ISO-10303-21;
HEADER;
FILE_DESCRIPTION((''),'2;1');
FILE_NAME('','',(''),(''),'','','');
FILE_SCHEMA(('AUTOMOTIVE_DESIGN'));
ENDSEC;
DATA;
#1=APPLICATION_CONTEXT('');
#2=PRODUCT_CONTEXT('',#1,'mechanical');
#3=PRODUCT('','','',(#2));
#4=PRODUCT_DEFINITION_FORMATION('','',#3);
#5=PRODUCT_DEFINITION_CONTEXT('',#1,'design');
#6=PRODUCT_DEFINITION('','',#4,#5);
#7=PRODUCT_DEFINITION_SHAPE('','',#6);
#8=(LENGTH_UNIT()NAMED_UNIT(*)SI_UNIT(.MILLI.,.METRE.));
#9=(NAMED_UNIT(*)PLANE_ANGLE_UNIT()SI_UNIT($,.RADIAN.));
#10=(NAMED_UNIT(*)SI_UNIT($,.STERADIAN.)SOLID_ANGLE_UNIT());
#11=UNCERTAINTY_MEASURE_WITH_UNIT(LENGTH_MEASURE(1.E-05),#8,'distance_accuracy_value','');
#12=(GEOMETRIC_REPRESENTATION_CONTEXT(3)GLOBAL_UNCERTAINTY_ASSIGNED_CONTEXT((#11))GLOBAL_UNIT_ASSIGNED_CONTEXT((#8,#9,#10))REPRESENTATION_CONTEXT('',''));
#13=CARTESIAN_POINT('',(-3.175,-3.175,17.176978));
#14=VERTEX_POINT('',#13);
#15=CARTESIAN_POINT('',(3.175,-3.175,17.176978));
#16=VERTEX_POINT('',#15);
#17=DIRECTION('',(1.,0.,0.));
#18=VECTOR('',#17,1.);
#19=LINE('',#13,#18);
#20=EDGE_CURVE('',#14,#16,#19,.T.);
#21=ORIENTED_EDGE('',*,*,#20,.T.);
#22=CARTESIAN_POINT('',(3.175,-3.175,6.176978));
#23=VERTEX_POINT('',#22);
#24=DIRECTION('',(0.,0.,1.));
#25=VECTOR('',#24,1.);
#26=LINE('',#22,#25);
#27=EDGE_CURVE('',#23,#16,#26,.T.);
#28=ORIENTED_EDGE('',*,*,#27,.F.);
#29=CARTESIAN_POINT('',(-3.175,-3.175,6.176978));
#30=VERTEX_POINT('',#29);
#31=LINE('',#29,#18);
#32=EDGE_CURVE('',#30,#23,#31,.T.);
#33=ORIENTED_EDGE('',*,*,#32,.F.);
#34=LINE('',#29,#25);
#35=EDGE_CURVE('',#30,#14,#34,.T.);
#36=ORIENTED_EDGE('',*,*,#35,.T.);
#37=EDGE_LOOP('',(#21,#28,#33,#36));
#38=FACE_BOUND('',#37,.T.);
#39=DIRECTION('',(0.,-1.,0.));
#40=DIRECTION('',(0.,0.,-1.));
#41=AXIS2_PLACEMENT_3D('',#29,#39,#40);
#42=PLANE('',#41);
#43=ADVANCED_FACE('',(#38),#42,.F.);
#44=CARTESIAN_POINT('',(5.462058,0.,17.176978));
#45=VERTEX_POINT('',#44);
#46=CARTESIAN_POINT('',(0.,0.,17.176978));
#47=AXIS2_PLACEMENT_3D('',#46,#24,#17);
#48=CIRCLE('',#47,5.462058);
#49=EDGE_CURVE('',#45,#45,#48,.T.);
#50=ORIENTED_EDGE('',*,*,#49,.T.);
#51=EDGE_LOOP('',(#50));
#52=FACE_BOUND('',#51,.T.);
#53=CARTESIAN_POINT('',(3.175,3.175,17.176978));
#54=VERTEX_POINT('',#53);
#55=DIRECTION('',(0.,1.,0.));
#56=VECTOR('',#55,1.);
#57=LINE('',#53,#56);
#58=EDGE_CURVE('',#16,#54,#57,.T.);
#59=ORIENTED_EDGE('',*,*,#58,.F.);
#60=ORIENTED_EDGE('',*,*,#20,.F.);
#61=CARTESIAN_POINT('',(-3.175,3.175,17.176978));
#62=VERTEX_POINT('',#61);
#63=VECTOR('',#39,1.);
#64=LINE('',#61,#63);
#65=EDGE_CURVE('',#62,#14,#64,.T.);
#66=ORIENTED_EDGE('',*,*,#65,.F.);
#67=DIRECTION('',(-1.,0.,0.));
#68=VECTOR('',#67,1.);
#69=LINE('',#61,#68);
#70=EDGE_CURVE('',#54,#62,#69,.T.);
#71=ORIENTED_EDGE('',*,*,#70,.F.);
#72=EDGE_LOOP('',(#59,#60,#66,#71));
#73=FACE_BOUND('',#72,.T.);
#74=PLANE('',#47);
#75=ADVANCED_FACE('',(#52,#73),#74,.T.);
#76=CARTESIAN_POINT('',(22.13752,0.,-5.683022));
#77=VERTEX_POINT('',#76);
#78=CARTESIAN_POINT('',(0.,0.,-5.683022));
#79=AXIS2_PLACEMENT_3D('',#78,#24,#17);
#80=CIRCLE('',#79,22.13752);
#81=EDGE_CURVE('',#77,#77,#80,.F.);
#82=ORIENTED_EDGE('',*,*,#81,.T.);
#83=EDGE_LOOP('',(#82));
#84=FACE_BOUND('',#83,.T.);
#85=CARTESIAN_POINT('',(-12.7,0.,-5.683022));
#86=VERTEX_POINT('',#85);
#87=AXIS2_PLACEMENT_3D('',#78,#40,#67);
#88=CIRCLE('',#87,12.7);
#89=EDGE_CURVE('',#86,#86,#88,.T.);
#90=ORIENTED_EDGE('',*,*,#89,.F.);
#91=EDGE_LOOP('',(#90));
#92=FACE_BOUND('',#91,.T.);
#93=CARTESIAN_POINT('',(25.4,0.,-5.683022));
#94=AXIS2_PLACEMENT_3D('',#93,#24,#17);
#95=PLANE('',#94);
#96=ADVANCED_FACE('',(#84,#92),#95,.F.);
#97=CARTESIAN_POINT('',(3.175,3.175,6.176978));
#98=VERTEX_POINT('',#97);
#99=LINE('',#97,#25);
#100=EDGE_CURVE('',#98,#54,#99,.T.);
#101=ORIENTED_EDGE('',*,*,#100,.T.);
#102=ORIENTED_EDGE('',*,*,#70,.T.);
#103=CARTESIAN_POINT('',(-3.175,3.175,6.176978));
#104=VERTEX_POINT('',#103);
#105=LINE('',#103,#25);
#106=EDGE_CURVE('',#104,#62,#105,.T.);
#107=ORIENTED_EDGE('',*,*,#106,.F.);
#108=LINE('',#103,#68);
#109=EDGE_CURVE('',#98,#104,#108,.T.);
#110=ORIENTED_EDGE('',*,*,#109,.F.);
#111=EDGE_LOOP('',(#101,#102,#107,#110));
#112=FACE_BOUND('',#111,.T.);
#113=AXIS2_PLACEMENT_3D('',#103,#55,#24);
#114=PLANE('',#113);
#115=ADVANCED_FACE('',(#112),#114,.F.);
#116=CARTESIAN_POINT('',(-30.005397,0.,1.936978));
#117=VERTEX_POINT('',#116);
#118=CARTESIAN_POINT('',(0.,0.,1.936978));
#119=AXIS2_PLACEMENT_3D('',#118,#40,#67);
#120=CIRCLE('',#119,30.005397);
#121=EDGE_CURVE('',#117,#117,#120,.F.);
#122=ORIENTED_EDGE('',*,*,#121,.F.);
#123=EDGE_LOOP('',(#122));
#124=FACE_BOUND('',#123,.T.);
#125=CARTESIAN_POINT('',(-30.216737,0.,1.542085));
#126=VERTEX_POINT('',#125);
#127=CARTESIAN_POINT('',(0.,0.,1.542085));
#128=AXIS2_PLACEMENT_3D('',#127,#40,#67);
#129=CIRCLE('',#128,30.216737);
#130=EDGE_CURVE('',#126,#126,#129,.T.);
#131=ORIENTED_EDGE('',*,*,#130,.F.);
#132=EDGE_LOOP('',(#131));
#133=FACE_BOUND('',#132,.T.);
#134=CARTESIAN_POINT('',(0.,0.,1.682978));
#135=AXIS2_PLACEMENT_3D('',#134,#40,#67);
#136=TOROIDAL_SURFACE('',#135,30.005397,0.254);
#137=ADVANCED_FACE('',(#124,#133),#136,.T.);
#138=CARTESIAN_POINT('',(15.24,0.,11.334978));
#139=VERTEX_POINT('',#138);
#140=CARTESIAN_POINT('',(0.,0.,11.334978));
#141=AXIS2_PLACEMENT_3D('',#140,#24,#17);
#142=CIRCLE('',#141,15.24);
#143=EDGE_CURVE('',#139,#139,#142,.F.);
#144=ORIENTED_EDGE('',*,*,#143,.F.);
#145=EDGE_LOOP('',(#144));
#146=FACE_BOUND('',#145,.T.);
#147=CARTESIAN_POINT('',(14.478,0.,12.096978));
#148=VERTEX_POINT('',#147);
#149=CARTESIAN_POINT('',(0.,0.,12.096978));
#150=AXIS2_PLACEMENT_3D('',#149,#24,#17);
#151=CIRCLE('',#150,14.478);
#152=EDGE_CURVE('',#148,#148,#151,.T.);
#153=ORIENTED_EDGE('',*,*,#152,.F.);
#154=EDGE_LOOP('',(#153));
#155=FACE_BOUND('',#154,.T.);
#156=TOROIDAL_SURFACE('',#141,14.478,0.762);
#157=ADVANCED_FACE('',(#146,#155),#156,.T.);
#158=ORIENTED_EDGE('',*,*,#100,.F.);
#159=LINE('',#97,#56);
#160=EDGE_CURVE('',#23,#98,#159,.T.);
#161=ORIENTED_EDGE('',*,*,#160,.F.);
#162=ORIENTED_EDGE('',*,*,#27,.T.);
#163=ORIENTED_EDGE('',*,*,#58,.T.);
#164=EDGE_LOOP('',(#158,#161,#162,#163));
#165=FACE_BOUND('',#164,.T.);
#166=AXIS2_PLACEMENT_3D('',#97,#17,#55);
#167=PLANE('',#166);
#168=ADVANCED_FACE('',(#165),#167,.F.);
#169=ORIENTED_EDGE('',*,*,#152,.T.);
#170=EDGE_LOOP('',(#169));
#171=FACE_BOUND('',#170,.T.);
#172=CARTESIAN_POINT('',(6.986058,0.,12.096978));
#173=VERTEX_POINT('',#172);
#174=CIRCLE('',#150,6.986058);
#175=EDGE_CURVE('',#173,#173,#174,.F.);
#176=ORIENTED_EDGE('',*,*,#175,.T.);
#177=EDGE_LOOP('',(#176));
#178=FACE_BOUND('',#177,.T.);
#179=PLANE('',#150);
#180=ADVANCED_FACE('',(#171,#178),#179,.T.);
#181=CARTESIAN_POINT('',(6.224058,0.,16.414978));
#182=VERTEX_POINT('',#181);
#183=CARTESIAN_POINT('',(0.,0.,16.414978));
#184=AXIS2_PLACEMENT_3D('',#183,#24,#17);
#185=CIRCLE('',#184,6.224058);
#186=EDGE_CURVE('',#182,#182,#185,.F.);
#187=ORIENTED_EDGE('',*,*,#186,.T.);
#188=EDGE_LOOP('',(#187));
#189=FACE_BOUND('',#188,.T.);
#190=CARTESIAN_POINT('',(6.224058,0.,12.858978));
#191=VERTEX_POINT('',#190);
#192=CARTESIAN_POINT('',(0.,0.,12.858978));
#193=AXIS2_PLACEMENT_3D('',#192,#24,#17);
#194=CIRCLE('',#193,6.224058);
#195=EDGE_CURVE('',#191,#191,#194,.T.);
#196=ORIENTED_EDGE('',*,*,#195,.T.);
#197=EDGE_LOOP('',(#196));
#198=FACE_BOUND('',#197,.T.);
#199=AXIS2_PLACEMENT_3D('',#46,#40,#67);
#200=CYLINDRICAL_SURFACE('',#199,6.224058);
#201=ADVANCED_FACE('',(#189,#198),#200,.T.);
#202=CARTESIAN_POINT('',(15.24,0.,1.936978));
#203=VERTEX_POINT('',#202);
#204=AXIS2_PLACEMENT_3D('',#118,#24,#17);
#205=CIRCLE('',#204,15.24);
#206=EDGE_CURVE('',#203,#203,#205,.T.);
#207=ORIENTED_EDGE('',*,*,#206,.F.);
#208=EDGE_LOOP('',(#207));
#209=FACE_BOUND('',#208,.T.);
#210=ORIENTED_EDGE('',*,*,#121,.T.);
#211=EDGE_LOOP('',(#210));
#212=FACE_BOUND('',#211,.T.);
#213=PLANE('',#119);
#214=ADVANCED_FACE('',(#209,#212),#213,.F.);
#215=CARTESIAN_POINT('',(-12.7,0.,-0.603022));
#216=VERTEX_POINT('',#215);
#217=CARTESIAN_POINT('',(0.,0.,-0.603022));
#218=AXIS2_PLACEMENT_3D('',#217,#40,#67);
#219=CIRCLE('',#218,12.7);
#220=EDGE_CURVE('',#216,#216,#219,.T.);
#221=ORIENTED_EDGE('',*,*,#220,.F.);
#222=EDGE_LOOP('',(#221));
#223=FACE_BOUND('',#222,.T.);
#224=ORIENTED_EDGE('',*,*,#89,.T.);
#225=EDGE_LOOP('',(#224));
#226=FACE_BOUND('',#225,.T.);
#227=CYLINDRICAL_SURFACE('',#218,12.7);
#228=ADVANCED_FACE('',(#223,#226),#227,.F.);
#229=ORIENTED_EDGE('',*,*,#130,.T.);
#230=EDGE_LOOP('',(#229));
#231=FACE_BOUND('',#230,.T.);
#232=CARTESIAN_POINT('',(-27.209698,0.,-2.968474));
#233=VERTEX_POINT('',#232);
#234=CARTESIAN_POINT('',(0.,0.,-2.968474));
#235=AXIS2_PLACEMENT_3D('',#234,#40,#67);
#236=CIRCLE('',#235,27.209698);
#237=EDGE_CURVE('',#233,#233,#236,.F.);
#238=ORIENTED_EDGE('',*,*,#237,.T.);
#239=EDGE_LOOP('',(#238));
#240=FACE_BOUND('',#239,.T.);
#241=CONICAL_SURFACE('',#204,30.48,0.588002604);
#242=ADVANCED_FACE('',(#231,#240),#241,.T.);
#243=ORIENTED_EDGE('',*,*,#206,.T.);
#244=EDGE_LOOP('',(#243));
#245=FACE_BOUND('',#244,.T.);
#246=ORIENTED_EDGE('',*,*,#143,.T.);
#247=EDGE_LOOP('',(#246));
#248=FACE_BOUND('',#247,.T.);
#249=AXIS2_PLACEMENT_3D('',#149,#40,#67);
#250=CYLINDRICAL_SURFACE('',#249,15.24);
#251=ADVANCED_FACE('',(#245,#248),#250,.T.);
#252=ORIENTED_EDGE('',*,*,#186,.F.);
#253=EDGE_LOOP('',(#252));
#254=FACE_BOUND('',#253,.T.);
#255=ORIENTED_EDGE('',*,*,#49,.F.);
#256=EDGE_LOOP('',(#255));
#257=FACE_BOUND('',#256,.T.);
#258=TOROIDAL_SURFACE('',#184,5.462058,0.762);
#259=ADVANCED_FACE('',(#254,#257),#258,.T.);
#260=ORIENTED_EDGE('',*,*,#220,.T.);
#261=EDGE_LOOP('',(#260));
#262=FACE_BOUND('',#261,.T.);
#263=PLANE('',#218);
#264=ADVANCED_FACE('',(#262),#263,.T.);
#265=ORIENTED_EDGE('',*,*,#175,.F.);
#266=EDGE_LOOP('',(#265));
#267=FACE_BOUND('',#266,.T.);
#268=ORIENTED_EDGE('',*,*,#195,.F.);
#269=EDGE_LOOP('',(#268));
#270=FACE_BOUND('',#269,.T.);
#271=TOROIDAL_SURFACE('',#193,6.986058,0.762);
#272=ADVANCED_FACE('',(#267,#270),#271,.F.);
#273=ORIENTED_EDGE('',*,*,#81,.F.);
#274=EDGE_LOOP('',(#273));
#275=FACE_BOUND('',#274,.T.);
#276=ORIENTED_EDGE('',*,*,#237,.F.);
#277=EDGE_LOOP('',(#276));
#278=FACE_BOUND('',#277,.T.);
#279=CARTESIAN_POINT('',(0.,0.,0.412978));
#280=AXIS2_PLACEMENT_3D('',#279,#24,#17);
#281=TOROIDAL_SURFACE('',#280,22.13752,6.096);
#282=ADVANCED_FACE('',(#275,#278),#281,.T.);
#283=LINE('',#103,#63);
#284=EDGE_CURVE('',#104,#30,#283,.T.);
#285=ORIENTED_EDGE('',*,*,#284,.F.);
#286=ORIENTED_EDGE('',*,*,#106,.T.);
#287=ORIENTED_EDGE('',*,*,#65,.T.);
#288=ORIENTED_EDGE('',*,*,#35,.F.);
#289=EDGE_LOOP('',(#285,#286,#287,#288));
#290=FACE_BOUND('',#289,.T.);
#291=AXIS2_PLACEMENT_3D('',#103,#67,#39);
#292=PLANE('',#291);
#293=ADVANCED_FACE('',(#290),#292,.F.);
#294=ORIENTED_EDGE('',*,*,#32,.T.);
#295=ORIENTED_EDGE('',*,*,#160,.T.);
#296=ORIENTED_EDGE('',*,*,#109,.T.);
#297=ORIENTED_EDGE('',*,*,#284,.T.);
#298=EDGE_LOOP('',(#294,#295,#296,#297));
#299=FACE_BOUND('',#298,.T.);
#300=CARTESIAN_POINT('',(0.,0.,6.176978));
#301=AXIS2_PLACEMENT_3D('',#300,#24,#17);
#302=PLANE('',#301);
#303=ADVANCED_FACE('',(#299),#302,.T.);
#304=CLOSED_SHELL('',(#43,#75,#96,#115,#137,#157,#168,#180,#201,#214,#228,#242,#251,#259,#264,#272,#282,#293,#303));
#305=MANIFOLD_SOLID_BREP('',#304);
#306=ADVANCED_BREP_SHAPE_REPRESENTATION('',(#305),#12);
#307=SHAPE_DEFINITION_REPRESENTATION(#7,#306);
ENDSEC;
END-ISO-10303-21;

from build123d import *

# Parameters (mm, degrees)
SKETCH3_R           = 15.24
BOSS_EXTRUDE2_DEPTH = 10.16
SKETCH4_R           = 6.224057783
BOSS_EXTRUDE3_DEPTH = 5.08
SKETCH5_R           = 12.7
CUT_EXTRUDE1_DEPTH  = 5.08
FILLET1_R           = 6.096
FILLET2_R           = 0.762
FILLET3_R           = 0.254
SKETCH6_W           = 6.35
SKETCH6_H           = 6.35
CUT_EXTRUDE2_DEPTH  = 11


with BuildPart() as part:
    # Sketch1 → Revolve1 (revolve)
    with BuildSketch(Plane(origin=(0, 0, 0), x_dir=(1, 0, 0), z_dir=(0, 1, 0)), mode=Mode.PRIVATE) as revolve1_sk:
        Polygon((0, 5.683021583), (0, -1.936978417), (30.48, -1.936978417), (25.4, 5.683021583), align=None)
    revolve(revolve1_sk.sketch.rotate(Axis((0, 0, -5.683021583), (0, 0, 1)), 180), axis=Axis((0, 0, -5.683021583), (0, 0, 1)))

    # Sketch3 → Boss-Extrude2 (add)
    with BuildSketch(Plane.XY.offset(1.936978417)):
        Circle(SKETCH3_R)
    extrude(amount=BOSS_EXTRUDE2_DEPTH)

    # Sketch4 → Boss-Extrude3 (add)
    with BuildSketch(Plane.XY.offset(12.096978417)):
        Circle(SKETCH4_R)
    extrude(amount=BOSS_EXTRUDE3_DEPTH)

    # Sketch5 → Cut-Extrude1 (cut)
    with BuildSketch(Plane(origin=(0, 0, -5.683021583), x_dir=(-1, 0, 0), z_dir=(0, 0, -1))):
        Circle(SKETCH5_R)
    extrude(amount=-CUT_EXTRUDE1_DEPTH, mode=Mode.SUBTRACT)

    # Fillet1
    fillet1_edges = [part.edges().sort_by_distance(p)[0] for p in [
        (25.4, 0, -5.683021583),
    ]]
    fillet(fillet1_edges, radius=FILLET1_R)

    # Fillet2
    fillet2_edges = [part.edges().sort_by_distance(p)[0] for p in [
        (-15.24, 0, 12.096978417),
        (-6.224057783, 0, 12.096978417),
        (-6.224057783, 0, 17.176978417),
    ]]
    fillet(fillet2_edges, radius=FILLET2_R)

    # Fillet3
    fillet3_edges = [part.edges().sort_by_distance(p)[0] for p in [
        (30.48, 0, 1.936978417),
    ]]
    fillet(fillet3_edges, radius=FILLET3_R)

    # Sketch6 → Cut-Extrude2 (cut)
    with BuildSketch(Plane.XY.offset(17.176978417)):
        Rectangle(SKETCH6_W, SKETCH6_H)
    extrude(amount=-CUT_EXTRUDE2_DEPTH, mode=Mode.SUBTRACT)


solid = part.part
